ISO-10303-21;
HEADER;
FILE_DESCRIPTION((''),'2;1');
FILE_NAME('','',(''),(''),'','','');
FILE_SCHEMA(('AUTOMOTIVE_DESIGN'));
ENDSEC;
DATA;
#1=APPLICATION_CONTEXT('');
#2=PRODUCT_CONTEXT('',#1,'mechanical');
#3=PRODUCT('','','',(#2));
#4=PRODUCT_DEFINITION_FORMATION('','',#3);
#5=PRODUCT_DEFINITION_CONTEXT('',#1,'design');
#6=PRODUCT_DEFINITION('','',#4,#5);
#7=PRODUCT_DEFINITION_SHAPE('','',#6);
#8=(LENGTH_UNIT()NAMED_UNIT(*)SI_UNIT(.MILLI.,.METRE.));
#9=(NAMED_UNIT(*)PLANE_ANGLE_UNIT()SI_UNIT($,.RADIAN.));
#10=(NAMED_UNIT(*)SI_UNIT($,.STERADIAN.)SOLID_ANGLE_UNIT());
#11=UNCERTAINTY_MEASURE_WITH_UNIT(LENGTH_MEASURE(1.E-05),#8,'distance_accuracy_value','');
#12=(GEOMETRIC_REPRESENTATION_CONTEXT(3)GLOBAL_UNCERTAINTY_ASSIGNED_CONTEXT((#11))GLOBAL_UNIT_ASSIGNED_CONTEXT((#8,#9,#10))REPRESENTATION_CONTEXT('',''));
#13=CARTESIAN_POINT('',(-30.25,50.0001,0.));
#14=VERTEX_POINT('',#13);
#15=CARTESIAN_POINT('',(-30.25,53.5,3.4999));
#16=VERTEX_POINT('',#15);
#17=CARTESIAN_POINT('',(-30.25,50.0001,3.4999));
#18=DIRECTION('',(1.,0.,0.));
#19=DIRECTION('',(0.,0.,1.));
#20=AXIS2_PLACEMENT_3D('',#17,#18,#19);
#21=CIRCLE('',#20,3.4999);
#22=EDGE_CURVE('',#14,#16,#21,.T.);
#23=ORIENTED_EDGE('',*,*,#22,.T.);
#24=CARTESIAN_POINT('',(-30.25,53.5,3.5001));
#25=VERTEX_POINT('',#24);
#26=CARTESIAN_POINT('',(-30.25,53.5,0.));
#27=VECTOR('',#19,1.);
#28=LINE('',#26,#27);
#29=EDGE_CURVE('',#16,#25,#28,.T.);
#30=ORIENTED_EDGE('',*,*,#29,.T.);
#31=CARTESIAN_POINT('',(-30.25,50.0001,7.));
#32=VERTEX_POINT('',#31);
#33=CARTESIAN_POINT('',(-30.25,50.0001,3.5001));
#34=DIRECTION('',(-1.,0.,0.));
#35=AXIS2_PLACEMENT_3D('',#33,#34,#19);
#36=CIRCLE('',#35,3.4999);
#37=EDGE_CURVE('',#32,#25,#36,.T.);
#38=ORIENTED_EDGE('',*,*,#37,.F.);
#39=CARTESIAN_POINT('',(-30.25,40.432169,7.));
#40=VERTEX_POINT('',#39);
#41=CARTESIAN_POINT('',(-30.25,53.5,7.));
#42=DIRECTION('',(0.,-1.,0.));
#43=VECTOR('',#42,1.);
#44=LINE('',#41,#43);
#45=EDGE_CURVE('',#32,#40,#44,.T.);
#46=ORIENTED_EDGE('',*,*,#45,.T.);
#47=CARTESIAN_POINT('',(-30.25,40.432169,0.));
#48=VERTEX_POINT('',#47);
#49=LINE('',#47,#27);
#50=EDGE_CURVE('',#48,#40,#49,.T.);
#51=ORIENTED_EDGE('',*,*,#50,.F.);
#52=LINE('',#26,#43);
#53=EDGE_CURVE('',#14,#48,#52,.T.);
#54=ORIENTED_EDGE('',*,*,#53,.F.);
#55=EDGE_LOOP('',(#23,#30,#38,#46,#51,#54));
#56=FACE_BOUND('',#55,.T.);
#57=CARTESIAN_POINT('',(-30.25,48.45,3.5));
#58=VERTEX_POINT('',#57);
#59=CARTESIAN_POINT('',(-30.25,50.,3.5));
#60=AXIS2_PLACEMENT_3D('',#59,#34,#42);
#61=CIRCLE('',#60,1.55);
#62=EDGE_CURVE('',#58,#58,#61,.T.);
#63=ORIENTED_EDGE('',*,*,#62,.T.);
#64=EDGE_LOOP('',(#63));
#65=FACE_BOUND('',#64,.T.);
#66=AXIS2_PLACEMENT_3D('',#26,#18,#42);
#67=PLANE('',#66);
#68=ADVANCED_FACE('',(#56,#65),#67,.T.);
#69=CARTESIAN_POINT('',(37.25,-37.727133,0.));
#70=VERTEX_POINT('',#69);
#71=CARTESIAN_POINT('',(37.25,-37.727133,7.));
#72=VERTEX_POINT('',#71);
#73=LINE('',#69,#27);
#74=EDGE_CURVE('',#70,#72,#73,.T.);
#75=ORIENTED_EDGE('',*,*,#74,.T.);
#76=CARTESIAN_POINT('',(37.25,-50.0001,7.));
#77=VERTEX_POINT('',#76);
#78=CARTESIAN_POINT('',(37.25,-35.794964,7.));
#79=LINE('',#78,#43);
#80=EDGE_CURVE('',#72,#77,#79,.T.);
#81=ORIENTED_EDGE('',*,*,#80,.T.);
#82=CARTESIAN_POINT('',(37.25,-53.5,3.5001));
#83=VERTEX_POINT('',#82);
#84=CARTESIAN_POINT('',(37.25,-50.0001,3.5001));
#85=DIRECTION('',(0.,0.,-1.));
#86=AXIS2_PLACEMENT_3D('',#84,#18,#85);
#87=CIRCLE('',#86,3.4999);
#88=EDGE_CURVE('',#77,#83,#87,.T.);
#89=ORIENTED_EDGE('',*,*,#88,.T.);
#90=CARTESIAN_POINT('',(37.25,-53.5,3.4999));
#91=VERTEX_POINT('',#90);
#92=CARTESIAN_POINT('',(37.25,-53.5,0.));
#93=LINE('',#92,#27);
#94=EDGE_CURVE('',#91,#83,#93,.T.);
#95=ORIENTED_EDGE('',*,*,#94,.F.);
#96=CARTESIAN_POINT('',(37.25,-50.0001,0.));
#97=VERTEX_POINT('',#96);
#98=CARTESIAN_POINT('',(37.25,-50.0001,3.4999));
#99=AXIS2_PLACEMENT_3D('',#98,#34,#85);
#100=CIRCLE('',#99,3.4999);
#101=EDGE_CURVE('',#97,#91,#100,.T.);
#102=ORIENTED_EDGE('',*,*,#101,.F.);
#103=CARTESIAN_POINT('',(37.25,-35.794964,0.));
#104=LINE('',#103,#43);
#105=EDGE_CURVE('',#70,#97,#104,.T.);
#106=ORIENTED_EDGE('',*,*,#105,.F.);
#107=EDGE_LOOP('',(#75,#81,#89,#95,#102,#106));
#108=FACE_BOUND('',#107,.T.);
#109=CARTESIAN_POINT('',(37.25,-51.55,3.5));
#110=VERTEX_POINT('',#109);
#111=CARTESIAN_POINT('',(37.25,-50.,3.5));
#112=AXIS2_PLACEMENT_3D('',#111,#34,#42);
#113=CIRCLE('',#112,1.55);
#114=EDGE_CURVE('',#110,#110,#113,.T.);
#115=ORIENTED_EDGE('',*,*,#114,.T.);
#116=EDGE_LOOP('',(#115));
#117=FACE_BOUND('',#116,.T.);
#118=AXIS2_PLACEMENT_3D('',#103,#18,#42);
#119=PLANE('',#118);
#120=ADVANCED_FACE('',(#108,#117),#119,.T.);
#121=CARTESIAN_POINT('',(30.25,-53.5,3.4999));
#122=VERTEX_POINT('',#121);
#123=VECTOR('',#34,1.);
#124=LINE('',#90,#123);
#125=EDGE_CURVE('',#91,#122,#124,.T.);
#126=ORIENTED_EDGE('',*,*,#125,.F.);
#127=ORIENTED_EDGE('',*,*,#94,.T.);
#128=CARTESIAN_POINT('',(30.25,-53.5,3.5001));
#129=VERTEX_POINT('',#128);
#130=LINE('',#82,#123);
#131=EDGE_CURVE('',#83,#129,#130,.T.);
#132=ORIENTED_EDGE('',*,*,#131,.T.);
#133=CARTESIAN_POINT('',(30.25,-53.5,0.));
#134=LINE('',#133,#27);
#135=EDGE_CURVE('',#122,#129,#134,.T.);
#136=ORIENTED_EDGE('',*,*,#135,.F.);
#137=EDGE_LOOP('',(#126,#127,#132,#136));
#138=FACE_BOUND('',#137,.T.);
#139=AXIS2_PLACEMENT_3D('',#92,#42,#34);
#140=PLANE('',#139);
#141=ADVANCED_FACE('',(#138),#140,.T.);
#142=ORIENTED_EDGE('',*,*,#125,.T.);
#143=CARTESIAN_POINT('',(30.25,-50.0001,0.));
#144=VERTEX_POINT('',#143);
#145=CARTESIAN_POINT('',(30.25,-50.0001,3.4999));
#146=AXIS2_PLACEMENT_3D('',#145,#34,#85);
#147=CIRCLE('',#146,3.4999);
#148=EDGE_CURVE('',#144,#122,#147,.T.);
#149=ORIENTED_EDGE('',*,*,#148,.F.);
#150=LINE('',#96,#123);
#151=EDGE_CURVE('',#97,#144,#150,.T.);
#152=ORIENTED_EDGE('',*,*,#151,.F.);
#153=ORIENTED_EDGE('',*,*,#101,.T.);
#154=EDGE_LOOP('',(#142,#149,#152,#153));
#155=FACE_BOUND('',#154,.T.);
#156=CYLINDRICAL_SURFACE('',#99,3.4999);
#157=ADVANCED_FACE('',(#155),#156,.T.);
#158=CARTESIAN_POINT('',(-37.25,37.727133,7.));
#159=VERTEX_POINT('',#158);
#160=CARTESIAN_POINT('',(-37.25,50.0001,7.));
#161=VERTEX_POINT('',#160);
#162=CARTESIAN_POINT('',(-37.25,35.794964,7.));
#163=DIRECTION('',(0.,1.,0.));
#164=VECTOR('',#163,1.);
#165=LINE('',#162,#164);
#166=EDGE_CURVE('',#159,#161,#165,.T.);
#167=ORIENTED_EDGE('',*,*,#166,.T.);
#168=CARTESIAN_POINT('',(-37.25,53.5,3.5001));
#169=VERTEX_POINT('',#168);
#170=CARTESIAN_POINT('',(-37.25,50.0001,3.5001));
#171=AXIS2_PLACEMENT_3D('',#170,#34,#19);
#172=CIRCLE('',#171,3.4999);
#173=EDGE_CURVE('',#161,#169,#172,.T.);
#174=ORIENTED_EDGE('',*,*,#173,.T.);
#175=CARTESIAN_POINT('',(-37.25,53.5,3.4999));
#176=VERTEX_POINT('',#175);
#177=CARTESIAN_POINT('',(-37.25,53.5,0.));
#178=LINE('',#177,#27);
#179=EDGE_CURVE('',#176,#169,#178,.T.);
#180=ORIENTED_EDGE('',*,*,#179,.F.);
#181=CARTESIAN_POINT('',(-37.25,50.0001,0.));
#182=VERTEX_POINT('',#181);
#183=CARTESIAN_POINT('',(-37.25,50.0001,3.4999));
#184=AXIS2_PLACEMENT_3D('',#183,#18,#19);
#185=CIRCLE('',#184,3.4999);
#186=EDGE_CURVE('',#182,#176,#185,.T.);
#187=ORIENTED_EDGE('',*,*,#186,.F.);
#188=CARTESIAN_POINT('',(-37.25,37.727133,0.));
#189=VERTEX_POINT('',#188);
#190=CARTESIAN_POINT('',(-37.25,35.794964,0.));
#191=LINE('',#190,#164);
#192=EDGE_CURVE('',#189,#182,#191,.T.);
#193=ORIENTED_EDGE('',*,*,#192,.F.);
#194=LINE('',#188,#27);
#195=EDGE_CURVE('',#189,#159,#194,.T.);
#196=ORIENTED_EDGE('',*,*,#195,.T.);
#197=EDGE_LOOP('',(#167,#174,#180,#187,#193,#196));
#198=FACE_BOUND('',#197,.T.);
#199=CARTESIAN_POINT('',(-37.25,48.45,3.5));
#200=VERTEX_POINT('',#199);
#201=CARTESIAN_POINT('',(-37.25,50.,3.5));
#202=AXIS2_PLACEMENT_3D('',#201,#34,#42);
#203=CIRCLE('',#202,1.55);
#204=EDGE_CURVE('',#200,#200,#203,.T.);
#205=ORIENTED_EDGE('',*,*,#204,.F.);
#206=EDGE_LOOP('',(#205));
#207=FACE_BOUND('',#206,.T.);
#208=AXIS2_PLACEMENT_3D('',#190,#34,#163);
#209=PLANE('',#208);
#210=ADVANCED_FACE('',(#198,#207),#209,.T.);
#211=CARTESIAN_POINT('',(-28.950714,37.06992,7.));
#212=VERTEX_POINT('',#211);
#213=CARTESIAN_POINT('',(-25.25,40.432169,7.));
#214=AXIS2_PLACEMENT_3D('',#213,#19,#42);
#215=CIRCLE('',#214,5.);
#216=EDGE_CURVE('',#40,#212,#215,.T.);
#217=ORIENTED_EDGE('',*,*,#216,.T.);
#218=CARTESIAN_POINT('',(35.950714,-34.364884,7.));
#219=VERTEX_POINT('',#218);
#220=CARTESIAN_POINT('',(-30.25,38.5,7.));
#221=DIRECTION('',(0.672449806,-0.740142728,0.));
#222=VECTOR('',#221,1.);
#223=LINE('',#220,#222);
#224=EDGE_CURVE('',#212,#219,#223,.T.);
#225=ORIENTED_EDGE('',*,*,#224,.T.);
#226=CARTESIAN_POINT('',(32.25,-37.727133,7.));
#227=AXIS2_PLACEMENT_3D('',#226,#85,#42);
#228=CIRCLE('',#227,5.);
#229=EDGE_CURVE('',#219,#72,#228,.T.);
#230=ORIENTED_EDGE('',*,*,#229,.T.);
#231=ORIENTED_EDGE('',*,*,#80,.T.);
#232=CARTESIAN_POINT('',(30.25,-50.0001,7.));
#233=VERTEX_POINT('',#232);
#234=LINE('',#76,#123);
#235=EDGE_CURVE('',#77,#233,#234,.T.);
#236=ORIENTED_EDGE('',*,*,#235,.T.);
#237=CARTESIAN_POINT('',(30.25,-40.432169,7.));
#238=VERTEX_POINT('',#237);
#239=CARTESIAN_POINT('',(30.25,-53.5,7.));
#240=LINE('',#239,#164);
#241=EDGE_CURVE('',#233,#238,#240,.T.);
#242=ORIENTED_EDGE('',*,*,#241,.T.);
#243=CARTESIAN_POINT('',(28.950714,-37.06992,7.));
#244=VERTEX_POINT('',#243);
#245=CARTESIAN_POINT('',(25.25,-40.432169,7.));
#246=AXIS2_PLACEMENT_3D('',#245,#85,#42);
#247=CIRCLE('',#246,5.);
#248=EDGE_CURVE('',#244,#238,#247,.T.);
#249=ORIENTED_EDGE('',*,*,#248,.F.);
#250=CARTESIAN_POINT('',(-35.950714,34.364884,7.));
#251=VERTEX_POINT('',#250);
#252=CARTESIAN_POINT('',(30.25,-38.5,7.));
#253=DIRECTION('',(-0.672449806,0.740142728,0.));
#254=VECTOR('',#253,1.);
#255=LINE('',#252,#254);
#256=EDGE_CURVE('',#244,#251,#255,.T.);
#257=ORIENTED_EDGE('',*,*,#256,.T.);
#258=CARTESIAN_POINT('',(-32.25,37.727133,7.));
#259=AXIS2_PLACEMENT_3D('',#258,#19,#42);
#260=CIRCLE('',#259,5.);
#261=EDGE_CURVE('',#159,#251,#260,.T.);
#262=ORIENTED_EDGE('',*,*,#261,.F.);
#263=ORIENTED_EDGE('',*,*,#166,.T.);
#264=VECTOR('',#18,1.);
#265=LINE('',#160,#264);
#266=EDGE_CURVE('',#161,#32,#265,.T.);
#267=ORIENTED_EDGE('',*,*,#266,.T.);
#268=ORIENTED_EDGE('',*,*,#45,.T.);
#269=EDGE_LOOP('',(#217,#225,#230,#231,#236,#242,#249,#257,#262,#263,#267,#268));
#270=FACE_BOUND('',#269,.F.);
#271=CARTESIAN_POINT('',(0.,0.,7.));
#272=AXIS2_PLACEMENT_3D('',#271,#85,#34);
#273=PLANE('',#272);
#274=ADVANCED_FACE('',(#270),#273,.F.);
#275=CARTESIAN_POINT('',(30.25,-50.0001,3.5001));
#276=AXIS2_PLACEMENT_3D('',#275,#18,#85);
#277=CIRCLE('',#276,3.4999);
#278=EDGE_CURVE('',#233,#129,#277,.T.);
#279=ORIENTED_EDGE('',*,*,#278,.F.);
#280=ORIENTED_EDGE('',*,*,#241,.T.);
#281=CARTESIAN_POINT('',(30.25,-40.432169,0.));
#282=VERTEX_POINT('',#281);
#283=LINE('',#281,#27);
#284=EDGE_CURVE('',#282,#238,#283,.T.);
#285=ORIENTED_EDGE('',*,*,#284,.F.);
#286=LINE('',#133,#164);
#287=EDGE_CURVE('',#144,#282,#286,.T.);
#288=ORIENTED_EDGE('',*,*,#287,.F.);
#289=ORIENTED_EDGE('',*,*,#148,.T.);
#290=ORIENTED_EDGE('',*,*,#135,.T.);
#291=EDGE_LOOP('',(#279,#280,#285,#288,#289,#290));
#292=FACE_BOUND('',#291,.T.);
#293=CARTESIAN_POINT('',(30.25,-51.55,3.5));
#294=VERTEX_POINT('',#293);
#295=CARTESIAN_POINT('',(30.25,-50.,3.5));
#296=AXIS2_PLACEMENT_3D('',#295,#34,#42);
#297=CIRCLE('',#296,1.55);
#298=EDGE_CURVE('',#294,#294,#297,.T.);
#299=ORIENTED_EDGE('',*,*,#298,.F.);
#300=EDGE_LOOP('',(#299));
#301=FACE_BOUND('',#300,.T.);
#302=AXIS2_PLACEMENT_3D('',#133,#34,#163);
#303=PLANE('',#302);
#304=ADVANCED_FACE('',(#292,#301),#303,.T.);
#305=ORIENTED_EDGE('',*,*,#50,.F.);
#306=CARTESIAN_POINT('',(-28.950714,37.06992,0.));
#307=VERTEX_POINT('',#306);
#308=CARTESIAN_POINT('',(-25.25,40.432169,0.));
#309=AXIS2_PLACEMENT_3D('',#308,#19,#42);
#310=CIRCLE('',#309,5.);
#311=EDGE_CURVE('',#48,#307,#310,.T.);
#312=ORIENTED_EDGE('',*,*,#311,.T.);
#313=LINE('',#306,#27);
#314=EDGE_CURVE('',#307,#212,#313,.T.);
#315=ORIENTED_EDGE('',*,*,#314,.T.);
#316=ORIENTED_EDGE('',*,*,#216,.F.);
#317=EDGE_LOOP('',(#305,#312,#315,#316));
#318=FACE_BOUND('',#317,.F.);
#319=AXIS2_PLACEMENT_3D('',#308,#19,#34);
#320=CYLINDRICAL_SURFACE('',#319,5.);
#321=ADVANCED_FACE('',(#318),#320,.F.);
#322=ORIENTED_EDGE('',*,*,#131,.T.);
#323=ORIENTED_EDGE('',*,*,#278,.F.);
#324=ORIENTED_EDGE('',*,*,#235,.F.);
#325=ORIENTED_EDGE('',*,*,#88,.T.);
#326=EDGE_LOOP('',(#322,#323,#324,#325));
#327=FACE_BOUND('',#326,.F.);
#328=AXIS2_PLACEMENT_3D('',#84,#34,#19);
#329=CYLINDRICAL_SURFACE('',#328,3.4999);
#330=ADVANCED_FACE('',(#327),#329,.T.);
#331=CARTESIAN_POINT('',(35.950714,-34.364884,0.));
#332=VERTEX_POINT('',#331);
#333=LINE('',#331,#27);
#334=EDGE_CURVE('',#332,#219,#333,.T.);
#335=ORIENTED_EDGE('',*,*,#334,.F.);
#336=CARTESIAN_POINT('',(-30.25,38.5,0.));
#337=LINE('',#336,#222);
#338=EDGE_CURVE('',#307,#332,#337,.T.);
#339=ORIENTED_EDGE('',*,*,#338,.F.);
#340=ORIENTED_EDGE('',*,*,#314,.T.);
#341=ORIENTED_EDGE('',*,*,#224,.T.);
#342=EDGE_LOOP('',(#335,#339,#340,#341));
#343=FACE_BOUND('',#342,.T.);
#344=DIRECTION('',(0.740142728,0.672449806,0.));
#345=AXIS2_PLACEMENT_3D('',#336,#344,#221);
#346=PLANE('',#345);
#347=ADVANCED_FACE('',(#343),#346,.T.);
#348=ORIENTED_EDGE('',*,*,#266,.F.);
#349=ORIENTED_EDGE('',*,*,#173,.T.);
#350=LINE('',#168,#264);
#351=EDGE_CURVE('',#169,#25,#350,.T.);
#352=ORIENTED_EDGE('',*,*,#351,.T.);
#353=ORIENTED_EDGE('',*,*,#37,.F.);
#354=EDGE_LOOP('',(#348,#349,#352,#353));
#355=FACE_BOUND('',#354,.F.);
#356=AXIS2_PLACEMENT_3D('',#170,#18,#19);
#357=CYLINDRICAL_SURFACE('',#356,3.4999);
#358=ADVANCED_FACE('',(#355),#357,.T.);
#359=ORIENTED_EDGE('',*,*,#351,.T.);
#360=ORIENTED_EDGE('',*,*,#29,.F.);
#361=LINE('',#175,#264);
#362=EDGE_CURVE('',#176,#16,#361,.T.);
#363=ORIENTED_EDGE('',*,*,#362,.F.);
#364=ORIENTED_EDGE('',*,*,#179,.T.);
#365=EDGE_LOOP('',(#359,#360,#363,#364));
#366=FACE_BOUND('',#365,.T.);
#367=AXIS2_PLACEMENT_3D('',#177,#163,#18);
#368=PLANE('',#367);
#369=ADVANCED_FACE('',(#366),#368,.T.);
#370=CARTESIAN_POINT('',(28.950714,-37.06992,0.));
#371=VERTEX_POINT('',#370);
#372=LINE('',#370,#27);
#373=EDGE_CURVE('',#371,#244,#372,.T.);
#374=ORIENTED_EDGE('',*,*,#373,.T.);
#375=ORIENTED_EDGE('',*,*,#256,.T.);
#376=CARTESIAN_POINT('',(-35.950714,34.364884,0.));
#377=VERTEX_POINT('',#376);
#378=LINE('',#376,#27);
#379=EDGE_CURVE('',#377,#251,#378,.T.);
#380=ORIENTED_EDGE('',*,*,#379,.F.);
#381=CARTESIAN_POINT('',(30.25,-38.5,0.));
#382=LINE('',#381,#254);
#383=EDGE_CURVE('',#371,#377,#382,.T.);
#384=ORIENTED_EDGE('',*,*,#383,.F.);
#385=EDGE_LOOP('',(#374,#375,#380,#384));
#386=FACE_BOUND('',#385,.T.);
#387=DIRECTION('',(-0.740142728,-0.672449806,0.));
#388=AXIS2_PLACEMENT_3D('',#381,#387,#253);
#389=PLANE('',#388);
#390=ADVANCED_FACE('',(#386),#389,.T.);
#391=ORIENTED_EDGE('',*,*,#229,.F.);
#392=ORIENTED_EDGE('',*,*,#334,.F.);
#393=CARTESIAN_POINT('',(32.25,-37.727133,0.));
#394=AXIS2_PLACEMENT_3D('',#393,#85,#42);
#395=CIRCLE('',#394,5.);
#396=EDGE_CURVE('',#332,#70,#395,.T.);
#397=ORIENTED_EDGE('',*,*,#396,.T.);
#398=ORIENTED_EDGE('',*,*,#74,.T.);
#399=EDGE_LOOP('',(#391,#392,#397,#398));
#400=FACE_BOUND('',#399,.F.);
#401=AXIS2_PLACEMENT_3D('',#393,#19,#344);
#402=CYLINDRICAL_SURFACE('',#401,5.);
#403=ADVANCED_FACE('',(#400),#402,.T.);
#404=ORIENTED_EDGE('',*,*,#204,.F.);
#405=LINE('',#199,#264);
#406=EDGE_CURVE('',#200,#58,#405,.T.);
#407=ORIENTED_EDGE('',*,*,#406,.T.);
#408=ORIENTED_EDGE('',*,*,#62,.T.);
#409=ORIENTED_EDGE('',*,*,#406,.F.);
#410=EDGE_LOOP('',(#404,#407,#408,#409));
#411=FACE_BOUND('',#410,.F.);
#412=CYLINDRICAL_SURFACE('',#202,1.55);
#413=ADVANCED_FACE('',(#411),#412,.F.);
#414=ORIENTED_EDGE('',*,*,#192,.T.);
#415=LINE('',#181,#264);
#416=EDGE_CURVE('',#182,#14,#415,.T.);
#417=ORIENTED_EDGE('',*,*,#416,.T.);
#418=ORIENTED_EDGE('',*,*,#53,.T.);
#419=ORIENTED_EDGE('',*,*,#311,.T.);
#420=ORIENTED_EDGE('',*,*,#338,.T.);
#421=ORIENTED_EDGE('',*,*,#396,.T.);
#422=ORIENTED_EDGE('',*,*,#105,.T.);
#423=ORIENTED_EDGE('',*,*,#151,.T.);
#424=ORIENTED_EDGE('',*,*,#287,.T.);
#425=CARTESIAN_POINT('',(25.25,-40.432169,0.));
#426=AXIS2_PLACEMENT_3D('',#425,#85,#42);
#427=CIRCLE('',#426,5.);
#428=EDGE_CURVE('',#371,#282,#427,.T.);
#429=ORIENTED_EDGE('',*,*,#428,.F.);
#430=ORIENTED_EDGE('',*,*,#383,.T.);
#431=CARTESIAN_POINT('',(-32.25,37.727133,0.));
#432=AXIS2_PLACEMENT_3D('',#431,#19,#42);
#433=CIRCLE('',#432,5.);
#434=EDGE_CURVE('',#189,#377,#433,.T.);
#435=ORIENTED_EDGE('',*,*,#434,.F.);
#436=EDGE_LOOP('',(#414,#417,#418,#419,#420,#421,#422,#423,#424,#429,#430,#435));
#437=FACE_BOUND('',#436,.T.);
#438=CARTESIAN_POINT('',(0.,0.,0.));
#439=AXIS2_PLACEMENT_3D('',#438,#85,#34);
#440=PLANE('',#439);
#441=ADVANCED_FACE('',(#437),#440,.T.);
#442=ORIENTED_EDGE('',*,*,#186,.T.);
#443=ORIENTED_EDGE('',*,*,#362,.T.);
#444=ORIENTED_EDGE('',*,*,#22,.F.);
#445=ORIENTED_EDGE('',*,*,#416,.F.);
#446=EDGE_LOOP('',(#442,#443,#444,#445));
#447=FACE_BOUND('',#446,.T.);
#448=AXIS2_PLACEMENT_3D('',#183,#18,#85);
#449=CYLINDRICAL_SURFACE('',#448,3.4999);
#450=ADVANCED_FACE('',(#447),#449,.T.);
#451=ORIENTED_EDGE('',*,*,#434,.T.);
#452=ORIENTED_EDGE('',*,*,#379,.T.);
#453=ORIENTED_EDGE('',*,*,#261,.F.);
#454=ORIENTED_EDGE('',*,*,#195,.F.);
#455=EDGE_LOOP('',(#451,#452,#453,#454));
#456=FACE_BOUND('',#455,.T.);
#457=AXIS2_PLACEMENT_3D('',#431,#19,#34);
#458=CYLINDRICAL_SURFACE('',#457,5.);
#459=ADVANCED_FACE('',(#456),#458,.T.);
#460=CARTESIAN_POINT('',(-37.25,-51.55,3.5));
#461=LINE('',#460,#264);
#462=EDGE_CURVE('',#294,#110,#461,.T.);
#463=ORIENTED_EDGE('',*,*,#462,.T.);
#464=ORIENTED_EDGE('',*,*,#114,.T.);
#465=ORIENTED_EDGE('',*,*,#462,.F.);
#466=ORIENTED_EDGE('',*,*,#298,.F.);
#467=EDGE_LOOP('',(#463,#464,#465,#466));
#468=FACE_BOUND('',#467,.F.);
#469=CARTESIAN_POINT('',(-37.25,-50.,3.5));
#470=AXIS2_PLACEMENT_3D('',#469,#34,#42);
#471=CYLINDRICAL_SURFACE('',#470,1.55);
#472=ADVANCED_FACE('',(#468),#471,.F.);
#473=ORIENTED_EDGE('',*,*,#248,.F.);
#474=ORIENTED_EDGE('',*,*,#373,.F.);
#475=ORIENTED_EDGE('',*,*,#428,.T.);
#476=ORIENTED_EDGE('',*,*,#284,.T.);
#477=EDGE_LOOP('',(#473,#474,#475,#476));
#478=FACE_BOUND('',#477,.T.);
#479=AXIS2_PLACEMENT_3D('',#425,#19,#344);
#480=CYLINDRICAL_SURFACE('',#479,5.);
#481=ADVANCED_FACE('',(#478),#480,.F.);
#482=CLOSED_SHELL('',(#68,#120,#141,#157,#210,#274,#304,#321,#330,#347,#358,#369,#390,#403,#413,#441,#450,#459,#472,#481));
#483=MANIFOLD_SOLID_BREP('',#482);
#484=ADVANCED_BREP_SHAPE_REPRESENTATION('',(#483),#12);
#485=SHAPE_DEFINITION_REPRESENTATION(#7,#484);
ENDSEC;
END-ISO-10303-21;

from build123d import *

# Parameters (mm, degrees)
PAD_DEPTH    = 7
SKETCH001_R  = 1.55
POCKET_DEPTH = 74.501
FILLET_R     = 3.4999
FILLET001_R  = 5


with BuildPart() as part:
    # Sketch → Pad (new body)
    with BuildSketch(Plane.XY):
        Polygon((-37.25, 35.794964), (-37.25, 53.5), (-30.25, 53.5), (-30.25, 38.5), (37.25, -35.794964), (37.25, -53.5), (30.25, -53.5), (30.25, -38.5), align=None)
    extrude(amount=PAD_DEPTH)

    # Sketch001 (on Face1 of Pad) → Pocket (cut, through all)
    with BuildSketch(Plane(origin=(-37.25, 0, 0), x_dir=(0, -1, 0), z_dir=(-1, 0, 0))):
        with Locations((-50, 3.5)):
            Circle(SKETCH001_R)
        with Locations((50, 3.5)):
            Circle(SKETCH001_R)
    extrude(amount=-POCKET_DEPTH, mode=Mode.SUBTRACT)

    # Fillet
    fillet_edges = [part.edges().sort_by_distance(p)[0] for p in [
        (-33.75, 53.5, 7),
        (-33.75, 53.5, 0),
        (33.75, -53.5, 0),
        (33.75, -53.5, 7),
    ]]
    fillet(fillet_edges, radius=FILLET_R)

    # Fillet001
    fillet001_edges = [part.edges().sort_by_distance(p)[0] for p in [
        (37.25, -35.794964, 3.5),
        (-30.25, 38.5, 3.5),
        (30.25, -38.5, 3.5),
        (-37.25, 35.794964, 3.5),
    ]]
    fillet(fillet001_edges, radius=FILLET001_R)


solid = part.part
